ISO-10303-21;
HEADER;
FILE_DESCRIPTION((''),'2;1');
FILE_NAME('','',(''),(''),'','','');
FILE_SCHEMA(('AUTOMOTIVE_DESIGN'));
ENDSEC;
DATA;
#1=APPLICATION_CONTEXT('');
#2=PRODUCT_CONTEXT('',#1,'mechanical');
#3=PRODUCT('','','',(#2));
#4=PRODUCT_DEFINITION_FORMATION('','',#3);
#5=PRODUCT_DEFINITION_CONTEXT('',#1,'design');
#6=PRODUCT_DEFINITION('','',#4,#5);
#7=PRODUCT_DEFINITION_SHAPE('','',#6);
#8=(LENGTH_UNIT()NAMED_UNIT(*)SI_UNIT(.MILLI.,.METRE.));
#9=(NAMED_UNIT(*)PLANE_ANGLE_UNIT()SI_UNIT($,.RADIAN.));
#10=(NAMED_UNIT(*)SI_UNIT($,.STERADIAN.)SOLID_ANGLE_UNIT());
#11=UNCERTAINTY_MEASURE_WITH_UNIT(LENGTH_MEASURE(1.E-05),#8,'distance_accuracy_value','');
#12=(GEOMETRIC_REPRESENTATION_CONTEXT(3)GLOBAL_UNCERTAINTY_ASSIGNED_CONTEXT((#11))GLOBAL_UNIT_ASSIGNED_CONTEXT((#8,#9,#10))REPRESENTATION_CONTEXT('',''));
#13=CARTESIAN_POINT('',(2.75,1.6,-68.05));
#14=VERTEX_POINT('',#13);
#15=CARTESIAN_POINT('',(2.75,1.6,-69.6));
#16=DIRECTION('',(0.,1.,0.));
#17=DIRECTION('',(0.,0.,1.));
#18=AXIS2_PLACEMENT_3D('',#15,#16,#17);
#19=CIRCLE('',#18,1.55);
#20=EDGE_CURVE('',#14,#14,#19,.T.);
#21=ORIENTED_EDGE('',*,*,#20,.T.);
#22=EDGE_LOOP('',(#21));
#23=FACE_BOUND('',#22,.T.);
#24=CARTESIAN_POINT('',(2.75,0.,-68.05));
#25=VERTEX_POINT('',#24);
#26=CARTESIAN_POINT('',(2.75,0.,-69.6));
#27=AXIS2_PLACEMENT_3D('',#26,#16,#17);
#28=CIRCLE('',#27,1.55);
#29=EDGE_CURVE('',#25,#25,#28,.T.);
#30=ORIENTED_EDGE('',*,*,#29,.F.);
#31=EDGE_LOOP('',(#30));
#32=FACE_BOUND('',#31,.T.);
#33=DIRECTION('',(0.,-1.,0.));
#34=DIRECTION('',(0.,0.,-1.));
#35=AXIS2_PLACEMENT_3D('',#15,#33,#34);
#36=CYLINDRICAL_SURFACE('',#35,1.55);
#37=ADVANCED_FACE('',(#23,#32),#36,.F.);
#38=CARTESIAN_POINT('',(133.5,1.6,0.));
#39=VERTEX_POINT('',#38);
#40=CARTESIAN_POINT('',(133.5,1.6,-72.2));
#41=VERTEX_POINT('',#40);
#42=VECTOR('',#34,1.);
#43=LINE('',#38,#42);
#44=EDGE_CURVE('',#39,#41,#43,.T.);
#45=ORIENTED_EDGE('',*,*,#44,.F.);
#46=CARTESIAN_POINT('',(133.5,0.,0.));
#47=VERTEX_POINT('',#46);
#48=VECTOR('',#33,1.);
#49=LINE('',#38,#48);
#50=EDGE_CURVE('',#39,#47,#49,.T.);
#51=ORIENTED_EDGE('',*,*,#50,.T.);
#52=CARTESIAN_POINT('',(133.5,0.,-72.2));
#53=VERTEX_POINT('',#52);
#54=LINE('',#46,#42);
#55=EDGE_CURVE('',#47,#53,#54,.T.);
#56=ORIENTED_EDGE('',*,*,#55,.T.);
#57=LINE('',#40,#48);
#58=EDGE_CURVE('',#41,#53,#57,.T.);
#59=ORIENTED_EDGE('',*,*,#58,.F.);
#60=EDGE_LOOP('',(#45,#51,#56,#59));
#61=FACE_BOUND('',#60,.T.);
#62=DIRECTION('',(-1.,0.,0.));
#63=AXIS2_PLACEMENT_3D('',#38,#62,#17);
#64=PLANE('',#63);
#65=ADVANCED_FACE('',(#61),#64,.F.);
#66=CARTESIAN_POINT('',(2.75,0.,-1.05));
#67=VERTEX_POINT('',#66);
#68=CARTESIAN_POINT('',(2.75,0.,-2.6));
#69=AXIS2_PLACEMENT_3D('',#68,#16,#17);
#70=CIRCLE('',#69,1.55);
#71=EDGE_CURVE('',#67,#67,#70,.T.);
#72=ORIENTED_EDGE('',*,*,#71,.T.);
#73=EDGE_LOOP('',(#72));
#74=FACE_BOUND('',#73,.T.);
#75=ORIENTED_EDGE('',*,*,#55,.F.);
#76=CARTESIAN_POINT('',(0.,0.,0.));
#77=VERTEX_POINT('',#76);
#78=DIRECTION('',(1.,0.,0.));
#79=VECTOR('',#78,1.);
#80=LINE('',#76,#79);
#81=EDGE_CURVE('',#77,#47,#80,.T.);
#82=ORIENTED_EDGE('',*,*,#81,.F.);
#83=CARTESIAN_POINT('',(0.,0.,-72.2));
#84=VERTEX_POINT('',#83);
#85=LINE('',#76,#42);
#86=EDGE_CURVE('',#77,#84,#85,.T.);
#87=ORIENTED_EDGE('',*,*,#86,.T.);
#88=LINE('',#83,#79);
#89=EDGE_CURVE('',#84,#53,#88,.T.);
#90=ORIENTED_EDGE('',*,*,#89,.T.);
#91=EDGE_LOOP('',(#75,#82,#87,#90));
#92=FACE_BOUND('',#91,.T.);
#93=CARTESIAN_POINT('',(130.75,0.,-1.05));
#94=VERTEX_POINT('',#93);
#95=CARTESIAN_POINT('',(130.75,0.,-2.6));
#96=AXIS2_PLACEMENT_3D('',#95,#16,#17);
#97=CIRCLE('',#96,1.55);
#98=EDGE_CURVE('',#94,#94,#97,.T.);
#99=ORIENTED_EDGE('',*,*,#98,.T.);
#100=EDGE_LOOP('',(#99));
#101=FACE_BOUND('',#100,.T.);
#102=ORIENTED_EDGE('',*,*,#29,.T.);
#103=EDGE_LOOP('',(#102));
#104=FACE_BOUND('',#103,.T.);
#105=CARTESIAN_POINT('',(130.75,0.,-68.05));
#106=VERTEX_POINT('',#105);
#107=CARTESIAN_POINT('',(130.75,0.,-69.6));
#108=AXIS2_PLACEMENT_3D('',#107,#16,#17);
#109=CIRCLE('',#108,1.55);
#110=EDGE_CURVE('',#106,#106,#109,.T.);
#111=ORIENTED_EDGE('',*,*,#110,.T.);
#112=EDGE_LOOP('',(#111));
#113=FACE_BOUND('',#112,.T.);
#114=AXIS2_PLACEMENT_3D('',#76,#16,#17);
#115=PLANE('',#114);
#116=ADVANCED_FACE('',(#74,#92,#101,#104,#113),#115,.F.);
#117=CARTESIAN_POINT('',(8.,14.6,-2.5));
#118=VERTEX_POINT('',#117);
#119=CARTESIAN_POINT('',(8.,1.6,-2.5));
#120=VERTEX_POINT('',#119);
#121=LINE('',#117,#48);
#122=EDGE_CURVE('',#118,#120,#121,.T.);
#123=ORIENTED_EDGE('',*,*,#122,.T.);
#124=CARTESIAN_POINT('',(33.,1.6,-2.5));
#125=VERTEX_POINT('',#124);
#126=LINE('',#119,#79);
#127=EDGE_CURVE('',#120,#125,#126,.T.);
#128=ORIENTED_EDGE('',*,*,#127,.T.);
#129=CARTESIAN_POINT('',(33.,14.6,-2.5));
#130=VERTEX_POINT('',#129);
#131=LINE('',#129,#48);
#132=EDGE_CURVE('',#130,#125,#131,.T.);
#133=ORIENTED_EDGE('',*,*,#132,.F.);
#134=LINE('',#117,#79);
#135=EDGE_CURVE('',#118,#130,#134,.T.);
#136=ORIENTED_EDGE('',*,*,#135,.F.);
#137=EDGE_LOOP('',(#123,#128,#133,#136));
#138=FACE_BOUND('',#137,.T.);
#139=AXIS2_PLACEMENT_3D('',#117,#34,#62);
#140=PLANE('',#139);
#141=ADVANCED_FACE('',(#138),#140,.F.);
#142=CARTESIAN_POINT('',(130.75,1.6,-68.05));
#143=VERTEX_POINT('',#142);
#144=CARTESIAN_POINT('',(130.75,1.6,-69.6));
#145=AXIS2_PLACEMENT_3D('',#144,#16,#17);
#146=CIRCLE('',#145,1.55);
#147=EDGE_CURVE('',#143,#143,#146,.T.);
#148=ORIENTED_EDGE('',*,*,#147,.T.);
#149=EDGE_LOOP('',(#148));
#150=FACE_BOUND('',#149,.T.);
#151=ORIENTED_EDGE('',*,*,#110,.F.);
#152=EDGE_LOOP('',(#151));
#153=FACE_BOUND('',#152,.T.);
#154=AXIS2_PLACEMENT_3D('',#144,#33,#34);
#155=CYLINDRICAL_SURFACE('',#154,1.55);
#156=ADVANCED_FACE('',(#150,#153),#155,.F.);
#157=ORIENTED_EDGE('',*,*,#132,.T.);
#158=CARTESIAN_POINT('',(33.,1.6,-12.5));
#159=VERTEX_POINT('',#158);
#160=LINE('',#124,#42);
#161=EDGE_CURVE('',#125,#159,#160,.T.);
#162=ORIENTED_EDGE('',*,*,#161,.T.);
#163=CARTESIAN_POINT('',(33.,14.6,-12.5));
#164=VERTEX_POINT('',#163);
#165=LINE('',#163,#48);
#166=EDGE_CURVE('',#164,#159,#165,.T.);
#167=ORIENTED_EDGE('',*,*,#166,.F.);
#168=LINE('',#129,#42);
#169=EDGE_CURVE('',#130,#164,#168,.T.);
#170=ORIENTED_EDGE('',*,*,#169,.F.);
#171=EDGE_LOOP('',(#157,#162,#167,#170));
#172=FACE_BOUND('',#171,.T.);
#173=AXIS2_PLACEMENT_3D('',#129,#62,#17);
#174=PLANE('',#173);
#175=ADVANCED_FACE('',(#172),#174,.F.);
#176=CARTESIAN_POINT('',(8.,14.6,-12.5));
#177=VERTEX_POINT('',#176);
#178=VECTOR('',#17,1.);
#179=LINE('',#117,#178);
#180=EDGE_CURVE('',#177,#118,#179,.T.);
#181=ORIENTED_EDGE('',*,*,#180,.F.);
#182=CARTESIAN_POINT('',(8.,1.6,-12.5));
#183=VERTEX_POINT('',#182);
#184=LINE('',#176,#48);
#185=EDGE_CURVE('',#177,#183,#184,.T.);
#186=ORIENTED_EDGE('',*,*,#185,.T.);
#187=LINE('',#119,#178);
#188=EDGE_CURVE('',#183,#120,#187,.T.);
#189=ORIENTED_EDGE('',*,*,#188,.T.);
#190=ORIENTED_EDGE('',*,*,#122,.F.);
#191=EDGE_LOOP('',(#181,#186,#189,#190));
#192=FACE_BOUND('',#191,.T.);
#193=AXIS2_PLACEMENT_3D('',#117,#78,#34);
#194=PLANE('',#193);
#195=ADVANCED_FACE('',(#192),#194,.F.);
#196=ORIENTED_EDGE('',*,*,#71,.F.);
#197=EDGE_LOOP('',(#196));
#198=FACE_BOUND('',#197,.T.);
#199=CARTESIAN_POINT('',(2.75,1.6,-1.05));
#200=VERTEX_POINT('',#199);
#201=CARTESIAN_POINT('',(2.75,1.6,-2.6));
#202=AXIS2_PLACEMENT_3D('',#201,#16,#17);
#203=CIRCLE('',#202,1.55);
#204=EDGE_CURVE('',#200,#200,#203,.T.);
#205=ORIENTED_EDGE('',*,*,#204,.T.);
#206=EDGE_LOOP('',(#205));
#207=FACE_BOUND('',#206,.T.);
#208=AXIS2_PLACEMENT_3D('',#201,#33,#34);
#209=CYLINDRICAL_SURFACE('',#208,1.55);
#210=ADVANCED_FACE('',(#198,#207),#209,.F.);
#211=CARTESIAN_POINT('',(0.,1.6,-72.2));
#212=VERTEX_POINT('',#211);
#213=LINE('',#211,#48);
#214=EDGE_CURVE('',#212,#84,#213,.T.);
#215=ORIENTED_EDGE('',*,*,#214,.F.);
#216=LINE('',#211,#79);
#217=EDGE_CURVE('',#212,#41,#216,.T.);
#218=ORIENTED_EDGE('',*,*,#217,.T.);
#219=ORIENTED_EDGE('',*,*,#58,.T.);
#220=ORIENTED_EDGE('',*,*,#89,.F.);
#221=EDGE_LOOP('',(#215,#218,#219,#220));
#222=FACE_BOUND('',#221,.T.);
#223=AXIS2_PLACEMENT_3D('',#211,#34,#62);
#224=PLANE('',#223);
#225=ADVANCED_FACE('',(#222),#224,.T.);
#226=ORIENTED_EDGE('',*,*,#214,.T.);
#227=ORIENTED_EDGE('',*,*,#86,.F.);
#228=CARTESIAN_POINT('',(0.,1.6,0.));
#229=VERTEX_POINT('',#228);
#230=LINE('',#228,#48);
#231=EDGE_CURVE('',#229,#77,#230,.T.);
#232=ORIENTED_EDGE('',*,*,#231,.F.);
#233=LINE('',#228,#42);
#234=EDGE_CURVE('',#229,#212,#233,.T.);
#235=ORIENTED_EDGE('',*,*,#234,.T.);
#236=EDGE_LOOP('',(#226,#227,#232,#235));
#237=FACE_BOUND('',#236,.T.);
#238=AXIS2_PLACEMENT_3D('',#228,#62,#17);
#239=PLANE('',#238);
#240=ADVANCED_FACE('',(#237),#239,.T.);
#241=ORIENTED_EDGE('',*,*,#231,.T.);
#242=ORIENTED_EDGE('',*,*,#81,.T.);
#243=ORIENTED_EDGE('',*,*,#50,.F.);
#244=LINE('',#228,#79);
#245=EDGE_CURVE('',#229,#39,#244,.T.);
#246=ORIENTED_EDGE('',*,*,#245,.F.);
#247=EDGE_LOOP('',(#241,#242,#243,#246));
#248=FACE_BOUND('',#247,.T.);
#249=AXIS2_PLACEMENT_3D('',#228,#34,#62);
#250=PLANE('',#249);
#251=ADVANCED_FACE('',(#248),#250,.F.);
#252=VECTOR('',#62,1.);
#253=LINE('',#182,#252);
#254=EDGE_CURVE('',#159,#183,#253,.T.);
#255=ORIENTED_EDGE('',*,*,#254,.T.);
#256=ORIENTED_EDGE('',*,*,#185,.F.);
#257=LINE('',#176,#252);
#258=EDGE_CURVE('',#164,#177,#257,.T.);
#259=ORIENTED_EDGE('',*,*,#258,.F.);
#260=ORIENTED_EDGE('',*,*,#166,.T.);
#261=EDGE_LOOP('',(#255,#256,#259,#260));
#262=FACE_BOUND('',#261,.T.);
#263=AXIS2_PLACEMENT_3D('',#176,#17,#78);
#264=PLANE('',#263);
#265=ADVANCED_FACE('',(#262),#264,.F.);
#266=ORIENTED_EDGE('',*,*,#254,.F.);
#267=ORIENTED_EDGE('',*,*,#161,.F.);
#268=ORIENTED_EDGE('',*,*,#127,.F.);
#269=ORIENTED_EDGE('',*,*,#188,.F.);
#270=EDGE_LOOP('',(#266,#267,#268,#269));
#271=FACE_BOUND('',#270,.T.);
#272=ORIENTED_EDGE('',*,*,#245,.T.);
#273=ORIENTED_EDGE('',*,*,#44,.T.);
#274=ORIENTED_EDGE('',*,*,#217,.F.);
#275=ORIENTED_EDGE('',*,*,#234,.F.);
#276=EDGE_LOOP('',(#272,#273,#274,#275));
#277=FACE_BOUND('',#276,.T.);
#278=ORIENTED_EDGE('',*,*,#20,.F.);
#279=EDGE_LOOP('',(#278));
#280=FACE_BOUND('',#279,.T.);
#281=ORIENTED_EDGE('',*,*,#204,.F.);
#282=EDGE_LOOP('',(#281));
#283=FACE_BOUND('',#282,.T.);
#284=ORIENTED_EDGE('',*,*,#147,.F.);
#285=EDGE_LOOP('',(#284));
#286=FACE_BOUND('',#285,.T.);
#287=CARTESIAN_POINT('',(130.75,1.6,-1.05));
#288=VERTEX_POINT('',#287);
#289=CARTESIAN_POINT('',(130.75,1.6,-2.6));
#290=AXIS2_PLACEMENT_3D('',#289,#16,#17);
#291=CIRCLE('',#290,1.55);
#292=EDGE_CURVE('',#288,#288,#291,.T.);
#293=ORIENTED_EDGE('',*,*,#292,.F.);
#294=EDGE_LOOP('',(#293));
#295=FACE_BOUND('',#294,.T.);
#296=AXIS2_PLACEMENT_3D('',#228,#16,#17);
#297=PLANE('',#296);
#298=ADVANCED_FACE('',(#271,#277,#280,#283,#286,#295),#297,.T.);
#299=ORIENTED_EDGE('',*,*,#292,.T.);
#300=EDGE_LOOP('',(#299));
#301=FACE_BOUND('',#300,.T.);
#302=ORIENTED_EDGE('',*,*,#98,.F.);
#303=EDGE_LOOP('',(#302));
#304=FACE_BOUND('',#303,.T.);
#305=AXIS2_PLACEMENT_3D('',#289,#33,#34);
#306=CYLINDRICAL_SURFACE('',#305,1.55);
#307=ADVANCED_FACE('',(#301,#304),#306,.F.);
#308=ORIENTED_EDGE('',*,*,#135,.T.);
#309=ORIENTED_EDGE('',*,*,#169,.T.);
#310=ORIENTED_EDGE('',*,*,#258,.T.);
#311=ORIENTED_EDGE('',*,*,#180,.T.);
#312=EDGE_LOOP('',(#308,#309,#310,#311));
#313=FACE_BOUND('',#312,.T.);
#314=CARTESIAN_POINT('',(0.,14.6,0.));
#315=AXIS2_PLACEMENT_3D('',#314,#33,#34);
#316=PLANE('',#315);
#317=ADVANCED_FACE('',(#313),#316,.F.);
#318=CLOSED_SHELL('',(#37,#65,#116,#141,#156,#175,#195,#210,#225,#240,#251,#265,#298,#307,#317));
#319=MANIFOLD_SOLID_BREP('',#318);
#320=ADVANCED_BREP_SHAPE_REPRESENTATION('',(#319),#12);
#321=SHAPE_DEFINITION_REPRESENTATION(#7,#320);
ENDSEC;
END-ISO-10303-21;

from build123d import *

# Parameters (mm, degrees)
SKETCH1_W           = 133.5
SKETCH1_H           = 72.2
SKETCH1_R           = 1.55
BOSS_EXTRUDE1_DEPTH = 1.6
SKETCH2_W           = 25
SKETCH2_H           = 10
BOSS_EXTRUDE2_DEPTH = 13


with BuildPart() as part:
    # Sketch1 → Boss-Extrude1 (new body)
    with BuildSketch(Plane(origin=(0, 0, 0), x_dir=(1, 0, 0), z_dir=(0, 1, 0))):
        with Locations((66.75, 36.1)):
            Rectangle(SKETCH1_W, SKETCH1_H)
        with Locations((2.75, 69.6)):
            Circle(SKETCH1_R, mode=Mode.SUBTRACT)
        with Locations((130.75, 69.6)):
            Circle(SKETCH1_R, mode=Mode.SUBTRACT)
        with Locations((130.75, 2.6)):
            Circle(SKETCH1_R, mode=Mode.SUBTRACT)
        with Locations((2.75, 2.6)):
            Circle(SKETCH1_R, mode=Mode.SUBTRACT)
    extrude(amount=BOSS_EXTRUDE1_DEPTH)

    # Sketch2 → Boss-Extrude2 (add)
    with BuildSketch(Plane(origin=(0, 1.6, 0), x_dir=(1, 0, 0), z_dir=(0, 1, 0))):
        with Locations((20.5, 7.5)):
            Rectangle(SKETCH2_W, SKETCH2_H)
    extrude(amount=BOSS_EXTRUDE2_DEPTH)


solid = part.part
